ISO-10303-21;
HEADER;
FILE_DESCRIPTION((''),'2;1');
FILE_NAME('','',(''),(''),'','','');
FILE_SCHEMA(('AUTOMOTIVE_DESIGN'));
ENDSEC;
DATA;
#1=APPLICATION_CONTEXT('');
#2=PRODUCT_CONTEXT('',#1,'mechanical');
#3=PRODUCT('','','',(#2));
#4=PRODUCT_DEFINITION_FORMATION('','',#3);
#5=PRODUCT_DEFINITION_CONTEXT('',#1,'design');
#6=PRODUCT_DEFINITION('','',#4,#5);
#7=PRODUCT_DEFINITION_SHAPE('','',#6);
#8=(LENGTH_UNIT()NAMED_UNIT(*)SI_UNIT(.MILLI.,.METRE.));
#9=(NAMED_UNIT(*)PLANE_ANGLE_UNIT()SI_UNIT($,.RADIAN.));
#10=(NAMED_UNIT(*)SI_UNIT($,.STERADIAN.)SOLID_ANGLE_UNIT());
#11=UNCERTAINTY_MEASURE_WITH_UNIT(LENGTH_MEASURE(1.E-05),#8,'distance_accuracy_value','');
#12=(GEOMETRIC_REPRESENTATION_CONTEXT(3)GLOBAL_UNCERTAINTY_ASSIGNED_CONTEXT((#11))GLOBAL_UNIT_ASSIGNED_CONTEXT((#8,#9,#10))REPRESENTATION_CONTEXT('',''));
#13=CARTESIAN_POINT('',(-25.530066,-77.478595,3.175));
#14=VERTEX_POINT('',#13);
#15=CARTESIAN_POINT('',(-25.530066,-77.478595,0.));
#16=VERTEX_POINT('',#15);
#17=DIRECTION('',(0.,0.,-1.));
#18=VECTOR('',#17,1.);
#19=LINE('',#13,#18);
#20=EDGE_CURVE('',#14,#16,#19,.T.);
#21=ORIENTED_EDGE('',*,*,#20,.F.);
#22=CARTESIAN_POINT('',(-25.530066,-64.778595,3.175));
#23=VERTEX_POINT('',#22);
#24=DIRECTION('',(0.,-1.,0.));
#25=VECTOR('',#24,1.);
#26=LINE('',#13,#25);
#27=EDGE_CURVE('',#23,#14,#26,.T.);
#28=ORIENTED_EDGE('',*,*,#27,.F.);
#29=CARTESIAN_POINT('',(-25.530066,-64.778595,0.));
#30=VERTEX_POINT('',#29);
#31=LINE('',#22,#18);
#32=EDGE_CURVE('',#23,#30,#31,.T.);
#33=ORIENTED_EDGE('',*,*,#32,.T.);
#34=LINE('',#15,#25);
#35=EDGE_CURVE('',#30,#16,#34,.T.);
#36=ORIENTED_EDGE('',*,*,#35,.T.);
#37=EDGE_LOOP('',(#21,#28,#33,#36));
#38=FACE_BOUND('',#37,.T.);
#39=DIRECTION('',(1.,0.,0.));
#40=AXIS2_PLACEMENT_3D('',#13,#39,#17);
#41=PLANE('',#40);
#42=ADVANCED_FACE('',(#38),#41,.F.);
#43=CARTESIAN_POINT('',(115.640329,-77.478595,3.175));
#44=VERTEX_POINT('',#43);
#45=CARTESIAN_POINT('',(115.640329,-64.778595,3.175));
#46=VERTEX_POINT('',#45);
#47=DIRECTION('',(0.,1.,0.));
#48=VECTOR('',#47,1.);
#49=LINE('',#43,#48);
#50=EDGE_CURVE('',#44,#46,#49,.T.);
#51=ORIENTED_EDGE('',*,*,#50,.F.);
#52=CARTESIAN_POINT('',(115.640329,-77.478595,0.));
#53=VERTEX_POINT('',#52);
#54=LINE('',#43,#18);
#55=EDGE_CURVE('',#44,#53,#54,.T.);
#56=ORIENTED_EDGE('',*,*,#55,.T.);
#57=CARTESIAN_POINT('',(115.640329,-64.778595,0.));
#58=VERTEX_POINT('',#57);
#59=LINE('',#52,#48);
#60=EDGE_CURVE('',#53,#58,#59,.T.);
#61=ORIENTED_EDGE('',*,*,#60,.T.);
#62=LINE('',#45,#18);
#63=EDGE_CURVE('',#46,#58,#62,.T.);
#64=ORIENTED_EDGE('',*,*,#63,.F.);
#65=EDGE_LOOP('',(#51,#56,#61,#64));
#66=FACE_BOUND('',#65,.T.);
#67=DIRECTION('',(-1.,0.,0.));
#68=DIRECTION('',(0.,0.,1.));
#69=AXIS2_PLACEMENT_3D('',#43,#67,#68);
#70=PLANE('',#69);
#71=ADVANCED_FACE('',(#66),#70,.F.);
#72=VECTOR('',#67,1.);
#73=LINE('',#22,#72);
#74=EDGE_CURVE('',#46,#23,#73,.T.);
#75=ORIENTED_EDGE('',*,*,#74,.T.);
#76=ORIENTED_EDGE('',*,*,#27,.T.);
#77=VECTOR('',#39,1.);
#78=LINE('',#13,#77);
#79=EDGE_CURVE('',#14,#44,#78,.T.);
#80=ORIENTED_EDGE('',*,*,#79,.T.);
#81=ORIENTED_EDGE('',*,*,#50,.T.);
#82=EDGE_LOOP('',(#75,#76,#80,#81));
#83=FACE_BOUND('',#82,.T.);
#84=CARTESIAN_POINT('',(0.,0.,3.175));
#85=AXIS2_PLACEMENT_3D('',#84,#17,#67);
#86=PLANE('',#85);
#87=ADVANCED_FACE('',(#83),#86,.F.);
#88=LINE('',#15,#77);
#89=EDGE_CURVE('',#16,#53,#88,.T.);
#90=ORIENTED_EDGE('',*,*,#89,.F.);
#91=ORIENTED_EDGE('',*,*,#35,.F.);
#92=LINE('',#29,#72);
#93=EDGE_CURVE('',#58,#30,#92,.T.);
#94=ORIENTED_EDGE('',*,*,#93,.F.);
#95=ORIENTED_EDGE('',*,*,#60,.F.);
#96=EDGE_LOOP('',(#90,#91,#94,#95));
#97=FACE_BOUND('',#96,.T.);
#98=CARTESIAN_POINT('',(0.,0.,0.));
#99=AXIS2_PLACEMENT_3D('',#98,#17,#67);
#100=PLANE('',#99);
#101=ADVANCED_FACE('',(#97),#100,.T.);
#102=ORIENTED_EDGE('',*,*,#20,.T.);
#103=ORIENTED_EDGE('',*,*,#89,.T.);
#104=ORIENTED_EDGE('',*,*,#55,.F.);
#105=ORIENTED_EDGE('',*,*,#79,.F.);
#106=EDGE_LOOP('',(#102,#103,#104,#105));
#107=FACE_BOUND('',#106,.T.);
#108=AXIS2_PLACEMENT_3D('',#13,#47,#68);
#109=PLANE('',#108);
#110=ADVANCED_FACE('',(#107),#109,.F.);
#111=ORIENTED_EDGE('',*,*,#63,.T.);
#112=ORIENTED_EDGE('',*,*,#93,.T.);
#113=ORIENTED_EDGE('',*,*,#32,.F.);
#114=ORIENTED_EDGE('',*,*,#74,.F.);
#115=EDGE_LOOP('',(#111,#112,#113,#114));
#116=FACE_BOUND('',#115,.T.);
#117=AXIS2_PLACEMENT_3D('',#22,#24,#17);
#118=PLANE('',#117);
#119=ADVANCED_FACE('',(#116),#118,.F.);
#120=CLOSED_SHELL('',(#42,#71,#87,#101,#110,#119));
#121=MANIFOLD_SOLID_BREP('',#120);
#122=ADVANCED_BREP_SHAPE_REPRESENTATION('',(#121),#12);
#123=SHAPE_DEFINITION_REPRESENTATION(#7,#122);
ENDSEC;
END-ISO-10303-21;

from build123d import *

# Parameters (mm, degrees)
SKETCH1_W           = 141.170394877
SKETCH1_H           = 12.7
BOSS_EXTRUDE1_DEPTH = 3.175


with BuildPart() as part:
    # Sketch1 → Boss-Extrude1 (new body)
    with BuildSketch(Plane.XY):
        with Locations((45.055131735, -71.128595286)):
            Rectangle(SKETCH1_W, SKETCH1_H)
    extrude(amount=BOSS_EXTRUDE1_DEPTH)


solid = part.part
